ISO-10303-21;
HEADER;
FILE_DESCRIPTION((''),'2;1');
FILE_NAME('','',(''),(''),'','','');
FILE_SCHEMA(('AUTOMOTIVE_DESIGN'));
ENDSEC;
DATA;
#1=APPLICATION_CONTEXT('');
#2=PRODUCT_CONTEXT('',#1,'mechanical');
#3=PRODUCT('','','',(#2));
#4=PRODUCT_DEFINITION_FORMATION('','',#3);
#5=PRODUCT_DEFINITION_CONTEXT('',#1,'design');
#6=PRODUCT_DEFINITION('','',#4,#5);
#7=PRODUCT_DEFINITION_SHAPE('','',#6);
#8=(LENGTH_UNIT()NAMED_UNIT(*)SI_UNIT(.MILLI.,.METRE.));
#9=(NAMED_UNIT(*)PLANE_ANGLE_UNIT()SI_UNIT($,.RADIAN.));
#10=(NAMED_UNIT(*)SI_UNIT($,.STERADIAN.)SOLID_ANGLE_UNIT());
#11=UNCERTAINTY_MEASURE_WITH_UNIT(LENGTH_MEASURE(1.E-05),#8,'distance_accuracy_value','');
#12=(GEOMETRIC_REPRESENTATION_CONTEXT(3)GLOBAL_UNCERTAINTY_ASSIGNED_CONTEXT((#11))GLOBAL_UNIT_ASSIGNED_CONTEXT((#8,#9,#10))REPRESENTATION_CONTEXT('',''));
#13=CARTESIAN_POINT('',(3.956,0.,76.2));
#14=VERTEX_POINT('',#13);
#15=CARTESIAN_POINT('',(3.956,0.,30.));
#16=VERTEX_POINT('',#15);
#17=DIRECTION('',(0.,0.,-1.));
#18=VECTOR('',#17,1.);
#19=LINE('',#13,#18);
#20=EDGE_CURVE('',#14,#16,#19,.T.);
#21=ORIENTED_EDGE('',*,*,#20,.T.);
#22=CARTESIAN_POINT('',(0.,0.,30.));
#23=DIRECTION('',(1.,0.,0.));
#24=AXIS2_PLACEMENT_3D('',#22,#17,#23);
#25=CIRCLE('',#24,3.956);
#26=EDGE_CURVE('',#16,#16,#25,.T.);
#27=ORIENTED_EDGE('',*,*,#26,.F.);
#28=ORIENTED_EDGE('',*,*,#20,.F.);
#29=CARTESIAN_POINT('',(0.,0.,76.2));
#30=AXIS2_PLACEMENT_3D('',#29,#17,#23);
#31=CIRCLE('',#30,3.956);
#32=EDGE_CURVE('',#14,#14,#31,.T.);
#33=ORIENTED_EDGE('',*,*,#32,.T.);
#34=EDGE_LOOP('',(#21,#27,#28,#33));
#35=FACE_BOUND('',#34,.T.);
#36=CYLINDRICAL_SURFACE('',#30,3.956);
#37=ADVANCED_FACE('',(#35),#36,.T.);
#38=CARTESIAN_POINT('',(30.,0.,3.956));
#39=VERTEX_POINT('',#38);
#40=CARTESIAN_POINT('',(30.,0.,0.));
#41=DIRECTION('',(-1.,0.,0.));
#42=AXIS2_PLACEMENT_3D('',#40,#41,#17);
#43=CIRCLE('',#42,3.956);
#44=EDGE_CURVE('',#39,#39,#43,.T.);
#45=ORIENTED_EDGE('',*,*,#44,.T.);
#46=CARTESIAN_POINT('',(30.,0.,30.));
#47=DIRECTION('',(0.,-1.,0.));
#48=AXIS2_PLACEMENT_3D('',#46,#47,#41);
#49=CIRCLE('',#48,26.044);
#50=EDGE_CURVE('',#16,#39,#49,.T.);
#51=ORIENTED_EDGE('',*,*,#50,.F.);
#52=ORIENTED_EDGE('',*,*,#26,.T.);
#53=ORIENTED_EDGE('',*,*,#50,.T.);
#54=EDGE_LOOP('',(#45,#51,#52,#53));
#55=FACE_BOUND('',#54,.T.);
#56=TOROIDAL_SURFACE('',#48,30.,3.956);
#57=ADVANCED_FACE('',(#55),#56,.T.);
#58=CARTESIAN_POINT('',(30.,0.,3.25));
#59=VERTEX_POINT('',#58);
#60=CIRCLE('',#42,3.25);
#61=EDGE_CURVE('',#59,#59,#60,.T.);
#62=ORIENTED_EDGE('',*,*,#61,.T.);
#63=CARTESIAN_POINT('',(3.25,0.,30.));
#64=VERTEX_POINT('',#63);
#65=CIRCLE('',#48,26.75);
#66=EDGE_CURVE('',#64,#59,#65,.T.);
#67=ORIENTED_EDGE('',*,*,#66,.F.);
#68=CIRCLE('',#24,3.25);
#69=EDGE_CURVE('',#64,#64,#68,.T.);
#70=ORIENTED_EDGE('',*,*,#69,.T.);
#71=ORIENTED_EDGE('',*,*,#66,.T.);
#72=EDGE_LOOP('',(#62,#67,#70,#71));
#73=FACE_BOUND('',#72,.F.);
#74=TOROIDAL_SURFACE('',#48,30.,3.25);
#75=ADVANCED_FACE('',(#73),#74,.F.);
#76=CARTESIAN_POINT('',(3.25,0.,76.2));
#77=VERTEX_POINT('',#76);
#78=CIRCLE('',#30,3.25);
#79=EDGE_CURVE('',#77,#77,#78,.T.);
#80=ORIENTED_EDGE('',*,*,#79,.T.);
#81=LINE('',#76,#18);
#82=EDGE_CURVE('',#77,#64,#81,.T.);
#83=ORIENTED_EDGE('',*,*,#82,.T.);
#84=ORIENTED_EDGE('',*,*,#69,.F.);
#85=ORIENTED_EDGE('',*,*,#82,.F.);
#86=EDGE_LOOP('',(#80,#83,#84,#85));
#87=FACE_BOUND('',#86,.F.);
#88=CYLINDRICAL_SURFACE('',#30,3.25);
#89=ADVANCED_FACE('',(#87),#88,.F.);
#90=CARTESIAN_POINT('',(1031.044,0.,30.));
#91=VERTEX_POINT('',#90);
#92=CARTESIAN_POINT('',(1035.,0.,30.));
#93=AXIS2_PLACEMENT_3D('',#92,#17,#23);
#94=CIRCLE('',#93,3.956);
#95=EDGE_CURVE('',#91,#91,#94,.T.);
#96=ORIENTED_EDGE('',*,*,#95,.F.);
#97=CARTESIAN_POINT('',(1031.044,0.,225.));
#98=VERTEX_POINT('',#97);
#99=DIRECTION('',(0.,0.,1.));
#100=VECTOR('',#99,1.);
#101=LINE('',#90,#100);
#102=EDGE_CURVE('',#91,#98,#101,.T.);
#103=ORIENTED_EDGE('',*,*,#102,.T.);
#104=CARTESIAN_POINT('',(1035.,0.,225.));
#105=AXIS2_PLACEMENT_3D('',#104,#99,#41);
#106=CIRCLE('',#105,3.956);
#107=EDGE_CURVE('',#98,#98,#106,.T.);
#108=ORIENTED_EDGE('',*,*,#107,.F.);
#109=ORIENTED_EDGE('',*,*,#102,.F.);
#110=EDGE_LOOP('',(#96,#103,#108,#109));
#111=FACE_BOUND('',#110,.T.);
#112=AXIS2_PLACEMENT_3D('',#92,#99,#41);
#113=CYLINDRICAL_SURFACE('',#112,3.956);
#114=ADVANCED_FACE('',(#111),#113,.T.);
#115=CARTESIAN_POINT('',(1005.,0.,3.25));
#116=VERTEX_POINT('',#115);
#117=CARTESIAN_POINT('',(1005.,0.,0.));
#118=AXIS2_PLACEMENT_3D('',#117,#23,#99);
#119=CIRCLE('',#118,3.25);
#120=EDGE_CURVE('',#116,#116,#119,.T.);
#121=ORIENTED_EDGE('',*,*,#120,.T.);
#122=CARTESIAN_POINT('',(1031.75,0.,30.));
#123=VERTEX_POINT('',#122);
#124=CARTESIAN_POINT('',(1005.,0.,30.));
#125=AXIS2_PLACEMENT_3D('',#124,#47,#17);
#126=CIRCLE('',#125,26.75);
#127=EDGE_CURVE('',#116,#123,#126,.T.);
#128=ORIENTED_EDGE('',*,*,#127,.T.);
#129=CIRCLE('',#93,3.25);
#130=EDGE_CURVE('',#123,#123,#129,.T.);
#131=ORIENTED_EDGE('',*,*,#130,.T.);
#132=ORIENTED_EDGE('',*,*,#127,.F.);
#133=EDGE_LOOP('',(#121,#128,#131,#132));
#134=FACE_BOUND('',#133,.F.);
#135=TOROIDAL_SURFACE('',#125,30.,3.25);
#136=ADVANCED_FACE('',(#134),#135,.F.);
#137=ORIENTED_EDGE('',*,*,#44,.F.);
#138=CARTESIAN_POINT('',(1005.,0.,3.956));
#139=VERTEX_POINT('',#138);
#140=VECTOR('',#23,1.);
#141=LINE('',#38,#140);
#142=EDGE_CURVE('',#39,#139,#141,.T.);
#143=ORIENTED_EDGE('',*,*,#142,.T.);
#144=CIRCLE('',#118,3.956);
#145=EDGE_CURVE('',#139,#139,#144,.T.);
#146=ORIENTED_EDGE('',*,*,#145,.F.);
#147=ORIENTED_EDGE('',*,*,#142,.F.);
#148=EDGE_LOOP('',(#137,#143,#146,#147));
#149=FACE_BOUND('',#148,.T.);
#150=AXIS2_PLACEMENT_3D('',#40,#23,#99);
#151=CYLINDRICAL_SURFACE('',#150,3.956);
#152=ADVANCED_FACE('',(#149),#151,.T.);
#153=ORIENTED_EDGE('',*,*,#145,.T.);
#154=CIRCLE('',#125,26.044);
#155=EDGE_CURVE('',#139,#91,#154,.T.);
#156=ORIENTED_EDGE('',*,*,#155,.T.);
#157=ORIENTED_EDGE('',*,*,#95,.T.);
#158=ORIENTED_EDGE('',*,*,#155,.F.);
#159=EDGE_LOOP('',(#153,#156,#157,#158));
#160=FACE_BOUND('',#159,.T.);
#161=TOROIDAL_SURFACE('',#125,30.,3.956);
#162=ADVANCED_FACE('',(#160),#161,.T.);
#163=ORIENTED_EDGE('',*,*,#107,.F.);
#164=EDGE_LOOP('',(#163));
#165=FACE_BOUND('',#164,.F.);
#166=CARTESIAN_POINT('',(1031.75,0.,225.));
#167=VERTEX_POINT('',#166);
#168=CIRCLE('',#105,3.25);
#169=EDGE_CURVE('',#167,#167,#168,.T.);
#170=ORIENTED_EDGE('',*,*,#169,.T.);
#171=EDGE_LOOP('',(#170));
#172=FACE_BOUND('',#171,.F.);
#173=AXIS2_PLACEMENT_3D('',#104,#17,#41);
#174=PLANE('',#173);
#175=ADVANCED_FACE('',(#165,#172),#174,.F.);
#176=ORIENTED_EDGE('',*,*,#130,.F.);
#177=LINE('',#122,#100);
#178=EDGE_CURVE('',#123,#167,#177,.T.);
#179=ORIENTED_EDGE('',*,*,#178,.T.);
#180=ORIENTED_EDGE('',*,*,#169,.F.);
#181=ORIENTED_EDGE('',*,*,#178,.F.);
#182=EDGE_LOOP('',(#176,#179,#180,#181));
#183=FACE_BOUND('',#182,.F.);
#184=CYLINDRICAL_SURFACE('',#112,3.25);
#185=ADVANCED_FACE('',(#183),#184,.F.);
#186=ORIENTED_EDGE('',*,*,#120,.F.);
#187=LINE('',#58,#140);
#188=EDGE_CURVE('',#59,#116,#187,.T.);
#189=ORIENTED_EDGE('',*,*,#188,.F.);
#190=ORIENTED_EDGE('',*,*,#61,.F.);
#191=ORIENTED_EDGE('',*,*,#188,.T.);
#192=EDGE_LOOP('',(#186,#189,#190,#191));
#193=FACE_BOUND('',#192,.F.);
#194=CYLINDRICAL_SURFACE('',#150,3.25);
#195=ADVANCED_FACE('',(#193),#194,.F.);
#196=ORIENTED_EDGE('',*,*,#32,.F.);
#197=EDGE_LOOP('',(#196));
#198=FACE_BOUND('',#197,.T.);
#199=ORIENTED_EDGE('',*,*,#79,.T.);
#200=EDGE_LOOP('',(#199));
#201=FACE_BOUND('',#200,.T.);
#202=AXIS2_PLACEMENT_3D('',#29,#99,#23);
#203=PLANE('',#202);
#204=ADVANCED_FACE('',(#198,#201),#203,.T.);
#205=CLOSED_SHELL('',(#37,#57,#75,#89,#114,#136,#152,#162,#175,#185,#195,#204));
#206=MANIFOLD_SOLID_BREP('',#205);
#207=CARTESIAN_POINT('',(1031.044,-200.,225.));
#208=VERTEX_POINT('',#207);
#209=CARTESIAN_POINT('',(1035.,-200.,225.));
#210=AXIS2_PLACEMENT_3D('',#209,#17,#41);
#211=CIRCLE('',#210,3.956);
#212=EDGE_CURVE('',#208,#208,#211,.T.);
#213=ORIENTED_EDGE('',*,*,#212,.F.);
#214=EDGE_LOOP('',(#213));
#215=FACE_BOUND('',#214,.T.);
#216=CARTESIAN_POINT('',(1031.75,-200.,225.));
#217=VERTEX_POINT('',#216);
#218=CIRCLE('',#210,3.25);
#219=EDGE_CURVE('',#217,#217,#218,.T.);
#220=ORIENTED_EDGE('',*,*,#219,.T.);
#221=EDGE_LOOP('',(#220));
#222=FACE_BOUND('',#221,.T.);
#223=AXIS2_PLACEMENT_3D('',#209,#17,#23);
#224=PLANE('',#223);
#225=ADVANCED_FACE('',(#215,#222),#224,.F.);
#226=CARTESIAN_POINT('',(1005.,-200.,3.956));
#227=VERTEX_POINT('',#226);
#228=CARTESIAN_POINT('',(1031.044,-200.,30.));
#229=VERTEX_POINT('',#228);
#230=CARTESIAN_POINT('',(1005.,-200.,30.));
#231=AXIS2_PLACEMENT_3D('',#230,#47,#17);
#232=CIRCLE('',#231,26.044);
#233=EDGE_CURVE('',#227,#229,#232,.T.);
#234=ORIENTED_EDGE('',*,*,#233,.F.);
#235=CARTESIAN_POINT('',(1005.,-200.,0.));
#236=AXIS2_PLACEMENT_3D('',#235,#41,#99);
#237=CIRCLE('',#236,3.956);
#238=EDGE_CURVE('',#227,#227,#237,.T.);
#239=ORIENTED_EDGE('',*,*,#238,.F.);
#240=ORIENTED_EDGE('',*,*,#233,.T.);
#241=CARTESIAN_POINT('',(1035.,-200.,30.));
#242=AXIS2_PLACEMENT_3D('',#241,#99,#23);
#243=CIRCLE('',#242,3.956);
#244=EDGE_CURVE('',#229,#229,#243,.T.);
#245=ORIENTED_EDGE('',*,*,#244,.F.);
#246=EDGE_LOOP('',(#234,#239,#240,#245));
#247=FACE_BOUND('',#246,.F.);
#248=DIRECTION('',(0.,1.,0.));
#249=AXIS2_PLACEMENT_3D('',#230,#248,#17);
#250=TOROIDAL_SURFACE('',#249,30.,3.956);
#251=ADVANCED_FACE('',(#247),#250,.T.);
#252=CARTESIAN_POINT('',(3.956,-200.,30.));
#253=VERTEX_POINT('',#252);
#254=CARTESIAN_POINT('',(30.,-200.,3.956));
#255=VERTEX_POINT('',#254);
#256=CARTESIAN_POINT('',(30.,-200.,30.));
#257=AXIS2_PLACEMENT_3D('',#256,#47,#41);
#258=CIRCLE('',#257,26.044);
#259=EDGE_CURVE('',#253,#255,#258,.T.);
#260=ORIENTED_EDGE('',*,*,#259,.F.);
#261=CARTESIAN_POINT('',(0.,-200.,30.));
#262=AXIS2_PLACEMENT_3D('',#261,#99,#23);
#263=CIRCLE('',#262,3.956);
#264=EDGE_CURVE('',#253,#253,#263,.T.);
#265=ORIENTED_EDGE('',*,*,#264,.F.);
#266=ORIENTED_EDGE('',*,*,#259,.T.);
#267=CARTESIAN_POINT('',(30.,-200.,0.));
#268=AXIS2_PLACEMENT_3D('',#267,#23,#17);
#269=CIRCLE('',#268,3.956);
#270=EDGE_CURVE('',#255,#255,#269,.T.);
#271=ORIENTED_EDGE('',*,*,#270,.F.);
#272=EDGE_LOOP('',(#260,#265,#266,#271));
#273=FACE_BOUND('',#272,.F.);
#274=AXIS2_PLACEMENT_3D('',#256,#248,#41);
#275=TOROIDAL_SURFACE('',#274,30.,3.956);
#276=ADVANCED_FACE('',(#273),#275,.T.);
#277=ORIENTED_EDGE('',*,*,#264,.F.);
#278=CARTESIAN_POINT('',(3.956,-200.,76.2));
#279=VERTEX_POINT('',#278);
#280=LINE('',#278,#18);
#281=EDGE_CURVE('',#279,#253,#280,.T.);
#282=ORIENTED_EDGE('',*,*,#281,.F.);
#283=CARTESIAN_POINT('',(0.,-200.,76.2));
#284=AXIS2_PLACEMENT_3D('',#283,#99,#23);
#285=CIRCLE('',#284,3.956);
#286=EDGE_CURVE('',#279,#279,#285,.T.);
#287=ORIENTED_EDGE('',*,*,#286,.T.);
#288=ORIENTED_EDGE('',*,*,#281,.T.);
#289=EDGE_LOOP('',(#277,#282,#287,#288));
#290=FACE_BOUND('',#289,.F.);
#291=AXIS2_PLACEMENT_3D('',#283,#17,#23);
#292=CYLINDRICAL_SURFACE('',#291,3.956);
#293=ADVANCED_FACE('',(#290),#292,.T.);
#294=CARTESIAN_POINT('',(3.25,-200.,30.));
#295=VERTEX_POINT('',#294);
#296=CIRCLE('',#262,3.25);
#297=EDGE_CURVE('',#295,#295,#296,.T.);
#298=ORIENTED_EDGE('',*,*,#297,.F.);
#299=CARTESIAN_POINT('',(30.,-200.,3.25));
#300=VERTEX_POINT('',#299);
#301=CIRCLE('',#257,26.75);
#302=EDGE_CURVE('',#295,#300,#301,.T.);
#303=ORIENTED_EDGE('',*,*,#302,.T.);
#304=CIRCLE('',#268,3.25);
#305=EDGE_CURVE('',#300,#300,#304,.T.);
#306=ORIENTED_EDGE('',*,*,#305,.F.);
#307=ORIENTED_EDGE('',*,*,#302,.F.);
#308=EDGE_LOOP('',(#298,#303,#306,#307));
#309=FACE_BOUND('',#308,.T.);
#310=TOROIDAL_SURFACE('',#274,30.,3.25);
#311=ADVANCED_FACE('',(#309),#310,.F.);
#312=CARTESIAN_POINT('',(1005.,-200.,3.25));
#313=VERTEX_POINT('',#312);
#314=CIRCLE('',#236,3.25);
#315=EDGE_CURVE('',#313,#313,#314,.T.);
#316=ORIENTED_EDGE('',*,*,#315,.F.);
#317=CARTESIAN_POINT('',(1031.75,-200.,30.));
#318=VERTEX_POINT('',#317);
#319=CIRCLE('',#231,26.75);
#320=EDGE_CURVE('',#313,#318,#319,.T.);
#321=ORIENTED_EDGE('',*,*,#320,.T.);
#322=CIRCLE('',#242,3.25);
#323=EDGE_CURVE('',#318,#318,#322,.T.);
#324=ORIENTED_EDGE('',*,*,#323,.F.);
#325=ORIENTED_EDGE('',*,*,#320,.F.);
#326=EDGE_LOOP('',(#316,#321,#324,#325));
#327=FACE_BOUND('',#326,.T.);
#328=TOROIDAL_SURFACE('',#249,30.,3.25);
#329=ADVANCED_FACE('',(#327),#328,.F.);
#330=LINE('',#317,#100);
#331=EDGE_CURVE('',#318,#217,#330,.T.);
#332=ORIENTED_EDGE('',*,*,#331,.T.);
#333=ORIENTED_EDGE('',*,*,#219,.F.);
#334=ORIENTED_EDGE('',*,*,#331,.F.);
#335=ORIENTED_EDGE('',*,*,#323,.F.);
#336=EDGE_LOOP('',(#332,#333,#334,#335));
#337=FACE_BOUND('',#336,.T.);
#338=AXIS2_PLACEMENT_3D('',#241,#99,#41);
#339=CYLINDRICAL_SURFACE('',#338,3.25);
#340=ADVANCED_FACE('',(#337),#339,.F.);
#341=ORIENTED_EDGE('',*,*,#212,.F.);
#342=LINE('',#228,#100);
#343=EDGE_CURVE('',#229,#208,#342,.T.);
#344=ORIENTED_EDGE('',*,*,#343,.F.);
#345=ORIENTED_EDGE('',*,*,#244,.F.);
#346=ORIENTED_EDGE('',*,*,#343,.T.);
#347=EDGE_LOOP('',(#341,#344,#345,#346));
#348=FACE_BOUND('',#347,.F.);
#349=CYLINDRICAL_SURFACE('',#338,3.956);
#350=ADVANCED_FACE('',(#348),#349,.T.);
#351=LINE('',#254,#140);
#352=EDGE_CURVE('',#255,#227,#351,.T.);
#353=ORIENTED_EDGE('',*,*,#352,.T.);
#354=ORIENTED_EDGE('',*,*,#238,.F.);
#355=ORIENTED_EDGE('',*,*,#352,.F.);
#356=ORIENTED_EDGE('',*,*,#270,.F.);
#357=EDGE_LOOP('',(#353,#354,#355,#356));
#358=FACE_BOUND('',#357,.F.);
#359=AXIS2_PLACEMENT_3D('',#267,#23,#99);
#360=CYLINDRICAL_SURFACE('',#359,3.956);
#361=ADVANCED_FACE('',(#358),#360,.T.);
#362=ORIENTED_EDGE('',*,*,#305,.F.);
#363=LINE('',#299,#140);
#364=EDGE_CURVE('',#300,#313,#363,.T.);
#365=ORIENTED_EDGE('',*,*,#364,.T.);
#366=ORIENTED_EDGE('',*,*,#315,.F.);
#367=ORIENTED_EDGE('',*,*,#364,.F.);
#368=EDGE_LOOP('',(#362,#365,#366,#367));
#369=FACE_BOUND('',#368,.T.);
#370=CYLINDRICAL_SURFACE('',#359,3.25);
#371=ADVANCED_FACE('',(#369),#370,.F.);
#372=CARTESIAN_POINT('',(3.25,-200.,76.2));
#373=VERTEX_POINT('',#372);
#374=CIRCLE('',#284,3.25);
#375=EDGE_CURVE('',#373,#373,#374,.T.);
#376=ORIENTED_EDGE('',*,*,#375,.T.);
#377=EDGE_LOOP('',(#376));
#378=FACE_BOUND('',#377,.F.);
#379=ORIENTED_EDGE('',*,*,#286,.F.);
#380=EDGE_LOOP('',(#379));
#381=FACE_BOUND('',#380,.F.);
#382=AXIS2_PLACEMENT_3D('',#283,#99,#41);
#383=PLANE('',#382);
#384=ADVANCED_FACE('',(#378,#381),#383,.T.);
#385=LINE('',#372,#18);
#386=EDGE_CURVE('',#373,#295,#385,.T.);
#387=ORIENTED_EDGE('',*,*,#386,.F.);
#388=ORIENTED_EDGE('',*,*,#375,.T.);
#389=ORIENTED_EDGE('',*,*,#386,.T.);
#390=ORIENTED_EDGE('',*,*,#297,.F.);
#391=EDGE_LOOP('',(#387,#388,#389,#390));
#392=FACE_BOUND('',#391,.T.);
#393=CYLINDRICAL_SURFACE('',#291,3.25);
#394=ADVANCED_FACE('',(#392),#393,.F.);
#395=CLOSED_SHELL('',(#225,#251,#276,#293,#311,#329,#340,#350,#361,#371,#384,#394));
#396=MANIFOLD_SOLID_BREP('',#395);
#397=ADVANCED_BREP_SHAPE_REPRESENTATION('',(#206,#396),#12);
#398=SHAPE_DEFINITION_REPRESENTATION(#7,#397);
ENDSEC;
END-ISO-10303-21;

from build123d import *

# Parameters (mm, degrees)
F0_R     = 4.7625
F0_R_2   = 4
F1_DEPTH = 35
F2_DEPTH = 66.5
F3_DEPTH = 1035
F5_DEPTH = 1035
F8_R     = 3.956
F8_R_2   = 3.25


with BuildPart() as f1:
    # F0 (on Right) → F1 (new body)
    with BuildSketch(Plane.YZ):
        Circle(F0_R)
        Circle(F0_R_2, mode=Mode.SUBTRACT)
    extrude(amount=F1_DEPTH)


with BuildPart() as f2:
    # F0 (on Right) → F2 (new body)
    with BuildSketch(Plane.YZ):
        Circle(F0_R)
        Circle(F0_R_2, mode=Mode.SUBTRACT)
    extrude(amount=-F2_DEPTH)


with BuildPart() as f3:
    # F0 (on Right) → F3 (new body)
    with BuildSketch(Plane.YZ):
        Circle(F0_R)
        Circle(F0_R_2, mode=Mode.SUBTRACT)
    extrude(amount=F3_DEPTH)


with BuildPart() as f5:
    # F0 (on Right) → F5 (new body)
    with BuildSketch(Plane.YZ):
        Circle(F0_R)
        Circle(F0_R_2, mode=Mode.SUBTRACT)
    extrude(amount=-F5_DEPTH)


with BuildPart() as f9:
    # F9: sweep along a path in F6
    with BuildLine(Plane.XZ) as f9_path:
        Line((0, 76.2), (0, 30))
        ThreePointArc((0, 30), (8.7867965644, 8.7867965644), (30, 0))
        Line((30, 0), (1005, 0))
        ThreePointArc((1005, 0), (1026.2132034356, 8.7867965644), (1035, 30))
        Line((1035, 30), (1035, 225))
    # F8 (on offset) → F9 (sweep)
    with BuildSketch(Plane.XY.offset(76.2)):
        Circle(F8_R)
        Circle(F8_R_2, mode=Mode.SUBTRACT)
    sweep(path=f9_path.line)


with BuildPart() as f11_1:
    # F11: instance of F9
    add(f9.part.mirror(Plane.XZ.offset(100)))


solid = Compound([f9.part, f11_1.part])
